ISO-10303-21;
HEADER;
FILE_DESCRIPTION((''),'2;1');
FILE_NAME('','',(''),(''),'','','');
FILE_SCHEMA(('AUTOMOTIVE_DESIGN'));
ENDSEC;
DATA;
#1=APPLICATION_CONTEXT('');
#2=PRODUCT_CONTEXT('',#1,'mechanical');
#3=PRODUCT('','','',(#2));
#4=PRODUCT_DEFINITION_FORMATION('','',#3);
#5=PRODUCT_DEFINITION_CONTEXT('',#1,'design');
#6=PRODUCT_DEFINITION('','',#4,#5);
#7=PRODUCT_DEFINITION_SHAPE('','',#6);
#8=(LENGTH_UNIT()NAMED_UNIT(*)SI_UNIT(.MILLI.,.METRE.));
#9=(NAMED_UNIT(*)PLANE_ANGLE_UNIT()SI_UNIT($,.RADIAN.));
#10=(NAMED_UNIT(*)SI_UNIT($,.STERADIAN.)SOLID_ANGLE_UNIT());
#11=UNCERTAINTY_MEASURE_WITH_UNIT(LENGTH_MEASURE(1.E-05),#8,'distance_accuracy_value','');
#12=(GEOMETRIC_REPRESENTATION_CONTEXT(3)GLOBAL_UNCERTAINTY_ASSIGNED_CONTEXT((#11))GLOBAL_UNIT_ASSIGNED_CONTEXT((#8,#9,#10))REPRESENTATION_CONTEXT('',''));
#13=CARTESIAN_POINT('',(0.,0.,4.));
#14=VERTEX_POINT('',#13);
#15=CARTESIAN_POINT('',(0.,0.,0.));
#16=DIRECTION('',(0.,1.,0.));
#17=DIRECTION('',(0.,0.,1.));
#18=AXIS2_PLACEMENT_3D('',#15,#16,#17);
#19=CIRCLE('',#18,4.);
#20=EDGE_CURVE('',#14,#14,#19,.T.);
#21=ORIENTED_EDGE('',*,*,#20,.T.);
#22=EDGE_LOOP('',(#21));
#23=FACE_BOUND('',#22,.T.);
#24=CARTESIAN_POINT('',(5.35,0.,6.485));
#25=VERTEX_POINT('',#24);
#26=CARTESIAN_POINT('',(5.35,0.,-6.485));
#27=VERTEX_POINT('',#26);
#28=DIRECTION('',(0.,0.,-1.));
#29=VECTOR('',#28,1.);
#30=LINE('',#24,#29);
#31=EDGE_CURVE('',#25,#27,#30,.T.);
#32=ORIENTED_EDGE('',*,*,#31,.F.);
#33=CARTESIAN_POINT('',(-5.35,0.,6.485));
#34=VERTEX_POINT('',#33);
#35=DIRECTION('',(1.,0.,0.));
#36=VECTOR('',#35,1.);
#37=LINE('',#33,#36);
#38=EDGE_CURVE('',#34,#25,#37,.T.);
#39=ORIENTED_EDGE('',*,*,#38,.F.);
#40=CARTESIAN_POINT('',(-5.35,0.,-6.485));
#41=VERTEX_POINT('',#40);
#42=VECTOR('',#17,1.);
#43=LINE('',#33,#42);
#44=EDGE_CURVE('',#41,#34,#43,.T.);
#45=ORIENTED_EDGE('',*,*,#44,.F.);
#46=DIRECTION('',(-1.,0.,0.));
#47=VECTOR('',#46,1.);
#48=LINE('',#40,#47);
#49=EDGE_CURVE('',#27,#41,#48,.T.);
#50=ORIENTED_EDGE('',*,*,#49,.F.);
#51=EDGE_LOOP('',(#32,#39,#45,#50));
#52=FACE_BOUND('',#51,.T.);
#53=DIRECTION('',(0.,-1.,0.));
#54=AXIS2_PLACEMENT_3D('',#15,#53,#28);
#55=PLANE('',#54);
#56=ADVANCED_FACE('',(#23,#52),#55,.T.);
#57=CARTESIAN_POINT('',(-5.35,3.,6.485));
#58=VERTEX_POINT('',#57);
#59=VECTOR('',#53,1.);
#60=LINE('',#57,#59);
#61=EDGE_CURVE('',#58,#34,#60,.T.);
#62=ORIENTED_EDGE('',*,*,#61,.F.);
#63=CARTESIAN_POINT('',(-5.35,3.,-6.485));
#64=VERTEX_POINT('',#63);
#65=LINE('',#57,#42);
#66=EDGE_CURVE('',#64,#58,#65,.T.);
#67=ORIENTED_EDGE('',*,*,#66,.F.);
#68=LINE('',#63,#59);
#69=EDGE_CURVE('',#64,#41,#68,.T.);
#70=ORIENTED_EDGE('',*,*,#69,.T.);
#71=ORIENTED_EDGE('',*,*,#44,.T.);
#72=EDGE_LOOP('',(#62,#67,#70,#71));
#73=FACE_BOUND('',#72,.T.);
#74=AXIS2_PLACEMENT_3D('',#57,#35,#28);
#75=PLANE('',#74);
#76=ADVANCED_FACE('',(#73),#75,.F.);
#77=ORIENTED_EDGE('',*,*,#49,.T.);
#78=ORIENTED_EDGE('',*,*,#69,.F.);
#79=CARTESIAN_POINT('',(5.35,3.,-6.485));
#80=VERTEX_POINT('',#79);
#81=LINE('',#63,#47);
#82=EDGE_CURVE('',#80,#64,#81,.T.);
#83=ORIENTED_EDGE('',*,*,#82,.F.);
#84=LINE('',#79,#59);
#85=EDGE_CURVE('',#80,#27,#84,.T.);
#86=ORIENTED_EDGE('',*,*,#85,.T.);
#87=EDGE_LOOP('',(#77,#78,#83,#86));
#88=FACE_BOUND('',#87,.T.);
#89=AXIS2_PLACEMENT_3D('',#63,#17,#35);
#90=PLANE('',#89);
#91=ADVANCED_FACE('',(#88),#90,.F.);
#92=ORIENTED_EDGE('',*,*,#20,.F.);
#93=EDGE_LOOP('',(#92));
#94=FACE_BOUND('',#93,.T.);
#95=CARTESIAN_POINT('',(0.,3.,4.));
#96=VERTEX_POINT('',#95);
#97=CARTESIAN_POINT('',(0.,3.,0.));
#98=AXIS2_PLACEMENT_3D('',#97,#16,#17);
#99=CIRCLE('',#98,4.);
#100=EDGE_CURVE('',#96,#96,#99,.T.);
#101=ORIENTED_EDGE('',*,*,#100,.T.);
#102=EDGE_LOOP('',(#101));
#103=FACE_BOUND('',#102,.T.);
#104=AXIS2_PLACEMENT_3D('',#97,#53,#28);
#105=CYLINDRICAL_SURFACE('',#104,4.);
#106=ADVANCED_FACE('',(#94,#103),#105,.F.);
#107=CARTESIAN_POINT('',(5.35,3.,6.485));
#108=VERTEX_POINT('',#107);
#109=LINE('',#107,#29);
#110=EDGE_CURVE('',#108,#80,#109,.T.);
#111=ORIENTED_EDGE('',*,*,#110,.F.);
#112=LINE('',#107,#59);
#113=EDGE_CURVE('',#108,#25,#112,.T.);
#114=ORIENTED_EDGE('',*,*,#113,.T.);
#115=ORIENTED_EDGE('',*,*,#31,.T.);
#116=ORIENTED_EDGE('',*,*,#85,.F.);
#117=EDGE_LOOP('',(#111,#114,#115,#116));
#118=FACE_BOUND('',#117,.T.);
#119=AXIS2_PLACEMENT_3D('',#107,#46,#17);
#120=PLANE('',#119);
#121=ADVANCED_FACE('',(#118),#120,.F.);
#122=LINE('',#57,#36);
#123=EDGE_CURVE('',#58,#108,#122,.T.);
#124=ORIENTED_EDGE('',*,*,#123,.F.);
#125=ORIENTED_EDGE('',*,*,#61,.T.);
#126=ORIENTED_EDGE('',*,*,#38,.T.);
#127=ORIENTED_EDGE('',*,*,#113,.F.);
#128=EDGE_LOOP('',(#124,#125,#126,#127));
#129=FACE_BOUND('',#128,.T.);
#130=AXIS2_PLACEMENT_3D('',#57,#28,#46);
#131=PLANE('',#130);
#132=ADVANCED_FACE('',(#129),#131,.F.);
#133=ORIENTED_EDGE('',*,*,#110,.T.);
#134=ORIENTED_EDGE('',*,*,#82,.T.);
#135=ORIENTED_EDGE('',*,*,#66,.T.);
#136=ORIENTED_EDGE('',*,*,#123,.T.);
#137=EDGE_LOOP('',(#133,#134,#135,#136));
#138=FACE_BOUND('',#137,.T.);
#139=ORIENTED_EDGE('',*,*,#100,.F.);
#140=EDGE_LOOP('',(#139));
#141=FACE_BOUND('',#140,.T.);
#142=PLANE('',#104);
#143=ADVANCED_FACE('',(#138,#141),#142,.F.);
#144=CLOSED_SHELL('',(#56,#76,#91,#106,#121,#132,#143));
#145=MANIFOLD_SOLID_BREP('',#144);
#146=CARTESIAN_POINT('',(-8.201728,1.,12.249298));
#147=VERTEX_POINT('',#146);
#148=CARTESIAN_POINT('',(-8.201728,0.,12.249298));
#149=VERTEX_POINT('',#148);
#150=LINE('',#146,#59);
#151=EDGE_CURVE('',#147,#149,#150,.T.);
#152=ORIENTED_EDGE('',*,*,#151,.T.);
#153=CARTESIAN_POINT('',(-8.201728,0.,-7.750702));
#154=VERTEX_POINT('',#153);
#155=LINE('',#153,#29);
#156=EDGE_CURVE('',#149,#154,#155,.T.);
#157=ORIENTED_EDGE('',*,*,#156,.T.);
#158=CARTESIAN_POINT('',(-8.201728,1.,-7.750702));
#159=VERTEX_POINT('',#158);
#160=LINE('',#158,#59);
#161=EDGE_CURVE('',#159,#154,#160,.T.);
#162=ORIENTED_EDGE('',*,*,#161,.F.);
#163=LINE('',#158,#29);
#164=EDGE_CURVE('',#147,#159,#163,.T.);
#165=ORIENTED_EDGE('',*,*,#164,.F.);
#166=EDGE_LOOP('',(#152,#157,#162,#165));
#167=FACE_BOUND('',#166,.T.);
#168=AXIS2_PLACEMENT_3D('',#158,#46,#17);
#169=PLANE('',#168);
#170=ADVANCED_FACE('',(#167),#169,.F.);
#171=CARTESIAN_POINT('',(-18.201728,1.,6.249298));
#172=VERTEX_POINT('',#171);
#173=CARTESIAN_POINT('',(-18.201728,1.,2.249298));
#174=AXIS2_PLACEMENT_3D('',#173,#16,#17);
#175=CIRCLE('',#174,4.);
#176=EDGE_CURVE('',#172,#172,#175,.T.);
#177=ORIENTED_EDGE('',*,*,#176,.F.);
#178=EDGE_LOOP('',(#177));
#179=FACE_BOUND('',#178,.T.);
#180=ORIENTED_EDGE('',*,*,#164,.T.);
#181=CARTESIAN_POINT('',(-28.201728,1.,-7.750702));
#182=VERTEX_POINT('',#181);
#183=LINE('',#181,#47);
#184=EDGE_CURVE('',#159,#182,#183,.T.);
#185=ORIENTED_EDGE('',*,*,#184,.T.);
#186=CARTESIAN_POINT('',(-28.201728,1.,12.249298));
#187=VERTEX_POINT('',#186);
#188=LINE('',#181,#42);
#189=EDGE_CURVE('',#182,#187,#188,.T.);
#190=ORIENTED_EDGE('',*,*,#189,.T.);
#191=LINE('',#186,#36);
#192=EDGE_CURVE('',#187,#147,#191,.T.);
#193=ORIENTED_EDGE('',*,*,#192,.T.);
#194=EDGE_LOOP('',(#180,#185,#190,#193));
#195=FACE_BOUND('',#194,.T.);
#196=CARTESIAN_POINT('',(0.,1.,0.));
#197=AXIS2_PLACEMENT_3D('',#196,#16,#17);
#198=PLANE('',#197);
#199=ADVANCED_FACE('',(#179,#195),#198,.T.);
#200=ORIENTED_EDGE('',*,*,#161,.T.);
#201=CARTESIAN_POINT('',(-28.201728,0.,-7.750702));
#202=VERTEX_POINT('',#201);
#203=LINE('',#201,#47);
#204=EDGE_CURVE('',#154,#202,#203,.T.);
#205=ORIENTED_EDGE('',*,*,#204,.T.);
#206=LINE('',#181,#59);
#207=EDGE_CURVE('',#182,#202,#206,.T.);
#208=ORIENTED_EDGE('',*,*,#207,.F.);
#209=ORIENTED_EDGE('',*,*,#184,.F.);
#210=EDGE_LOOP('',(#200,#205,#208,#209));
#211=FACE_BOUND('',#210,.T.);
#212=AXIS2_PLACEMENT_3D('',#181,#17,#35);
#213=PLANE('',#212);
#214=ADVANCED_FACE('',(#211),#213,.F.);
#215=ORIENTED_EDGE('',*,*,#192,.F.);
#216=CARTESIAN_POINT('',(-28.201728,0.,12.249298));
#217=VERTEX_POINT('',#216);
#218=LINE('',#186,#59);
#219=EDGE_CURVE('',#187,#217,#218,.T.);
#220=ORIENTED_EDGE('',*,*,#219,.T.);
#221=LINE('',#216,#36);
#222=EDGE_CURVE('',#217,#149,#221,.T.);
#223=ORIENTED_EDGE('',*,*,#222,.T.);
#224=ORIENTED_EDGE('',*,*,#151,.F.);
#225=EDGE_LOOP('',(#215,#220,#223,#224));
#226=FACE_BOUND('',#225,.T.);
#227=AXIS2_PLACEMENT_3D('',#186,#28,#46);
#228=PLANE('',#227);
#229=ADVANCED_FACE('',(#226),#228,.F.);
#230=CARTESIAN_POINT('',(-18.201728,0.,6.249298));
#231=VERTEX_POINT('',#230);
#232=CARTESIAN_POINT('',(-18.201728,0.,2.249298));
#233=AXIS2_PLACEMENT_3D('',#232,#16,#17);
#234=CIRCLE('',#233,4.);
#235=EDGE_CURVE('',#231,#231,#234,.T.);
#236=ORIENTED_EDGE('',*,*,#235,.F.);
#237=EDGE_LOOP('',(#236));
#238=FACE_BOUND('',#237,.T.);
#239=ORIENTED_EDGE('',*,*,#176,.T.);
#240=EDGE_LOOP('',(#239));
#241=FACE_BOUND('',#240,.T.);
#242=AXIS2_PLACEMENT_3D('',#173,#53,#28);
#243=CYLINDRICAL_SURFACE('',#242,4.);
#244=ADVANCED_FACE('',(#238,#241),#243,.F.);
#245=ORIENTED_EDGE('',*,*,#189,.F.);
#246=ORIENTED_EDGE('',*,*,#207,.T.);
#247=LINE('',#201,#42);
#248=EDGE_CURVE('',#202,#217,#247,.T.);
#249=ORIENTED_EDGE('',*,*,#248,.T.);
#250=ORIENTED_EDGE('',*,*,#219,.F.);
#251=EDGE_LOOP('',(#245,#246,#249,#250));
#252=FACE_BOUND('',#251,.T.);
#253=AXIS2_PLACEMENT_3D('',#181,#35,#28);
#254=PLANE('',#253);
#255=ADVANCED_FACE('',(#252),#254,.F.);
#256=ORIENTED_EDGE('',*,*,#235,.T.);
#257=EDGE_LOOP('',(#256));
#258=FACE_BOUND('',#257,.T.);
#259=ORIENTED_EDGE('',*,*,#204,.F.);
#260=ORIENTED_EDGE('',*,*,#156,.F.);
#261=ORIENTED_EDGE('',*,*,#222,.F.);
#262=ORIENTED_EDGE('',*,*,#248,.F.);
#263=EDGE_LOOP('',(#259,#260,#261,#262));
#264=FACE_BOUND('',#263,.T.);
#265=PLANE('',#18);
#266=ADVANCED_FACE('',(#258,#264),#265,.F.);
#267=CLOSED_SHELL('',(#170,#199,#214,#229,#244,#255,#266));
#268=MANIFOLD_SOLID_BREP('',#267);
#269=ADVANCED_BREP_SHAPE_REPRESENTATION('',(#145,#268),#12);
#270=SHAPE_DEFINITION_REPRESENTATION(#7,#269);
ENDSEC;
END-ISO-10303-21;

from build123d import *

# Parameters (mm, degrees)
SKETCH1_W           = 10.7
SKETCH1_H           = 12.97
SKETCH1_R           = 4
BOSS_EXTRUDE1_DEPTH = 3
SKETCH2_W           = 20
SKETCH2_H           = 20
SKETCH2_R           = 4
BOSS_EXTRUDE2_DEPTH = 1


with BuildPart() as part:
    # Sketch1 → Boss-Extrude1 (new body)
    with BuildSketch(Plane(origin=(0, 0, 0), x_dir=(1, 0, 0), z_dir=(0, 1, 0))):
        Rectangle(SKETCH1_W, SKETCH1_H)
        with Locations(Location((0, 0, 0), (0, 0, 270))):
            Circle(SKETCH1_R, mode=Mode.SUBTRACT)
    extrude(amount=BOSS_EXTRUDE1_DEPTH)


with BuildPart() as body_2:
    # Sketch2 → Boss-Extrude2 (new body)
    with BuildSketch(Plane(origin=(0, 0, 0), x_dir=(1, 0, 0), z_dir=(0, 1, 0))):
        with Locations((-18.201727798, -2.249298379)):
            Rectangle(SKETCH2_W, SKETCH2_H)
        with Locations(Location((-18.201727798, -2.249298379, 0), (0, 0, 270))):
            Circle(SKETCH2_R, mode=Mode.SUBTRACT)
    extrude(amount=BOSS_EXTRUDE2_DEPTH)


solid = Compound([part.part, body_2.part])
